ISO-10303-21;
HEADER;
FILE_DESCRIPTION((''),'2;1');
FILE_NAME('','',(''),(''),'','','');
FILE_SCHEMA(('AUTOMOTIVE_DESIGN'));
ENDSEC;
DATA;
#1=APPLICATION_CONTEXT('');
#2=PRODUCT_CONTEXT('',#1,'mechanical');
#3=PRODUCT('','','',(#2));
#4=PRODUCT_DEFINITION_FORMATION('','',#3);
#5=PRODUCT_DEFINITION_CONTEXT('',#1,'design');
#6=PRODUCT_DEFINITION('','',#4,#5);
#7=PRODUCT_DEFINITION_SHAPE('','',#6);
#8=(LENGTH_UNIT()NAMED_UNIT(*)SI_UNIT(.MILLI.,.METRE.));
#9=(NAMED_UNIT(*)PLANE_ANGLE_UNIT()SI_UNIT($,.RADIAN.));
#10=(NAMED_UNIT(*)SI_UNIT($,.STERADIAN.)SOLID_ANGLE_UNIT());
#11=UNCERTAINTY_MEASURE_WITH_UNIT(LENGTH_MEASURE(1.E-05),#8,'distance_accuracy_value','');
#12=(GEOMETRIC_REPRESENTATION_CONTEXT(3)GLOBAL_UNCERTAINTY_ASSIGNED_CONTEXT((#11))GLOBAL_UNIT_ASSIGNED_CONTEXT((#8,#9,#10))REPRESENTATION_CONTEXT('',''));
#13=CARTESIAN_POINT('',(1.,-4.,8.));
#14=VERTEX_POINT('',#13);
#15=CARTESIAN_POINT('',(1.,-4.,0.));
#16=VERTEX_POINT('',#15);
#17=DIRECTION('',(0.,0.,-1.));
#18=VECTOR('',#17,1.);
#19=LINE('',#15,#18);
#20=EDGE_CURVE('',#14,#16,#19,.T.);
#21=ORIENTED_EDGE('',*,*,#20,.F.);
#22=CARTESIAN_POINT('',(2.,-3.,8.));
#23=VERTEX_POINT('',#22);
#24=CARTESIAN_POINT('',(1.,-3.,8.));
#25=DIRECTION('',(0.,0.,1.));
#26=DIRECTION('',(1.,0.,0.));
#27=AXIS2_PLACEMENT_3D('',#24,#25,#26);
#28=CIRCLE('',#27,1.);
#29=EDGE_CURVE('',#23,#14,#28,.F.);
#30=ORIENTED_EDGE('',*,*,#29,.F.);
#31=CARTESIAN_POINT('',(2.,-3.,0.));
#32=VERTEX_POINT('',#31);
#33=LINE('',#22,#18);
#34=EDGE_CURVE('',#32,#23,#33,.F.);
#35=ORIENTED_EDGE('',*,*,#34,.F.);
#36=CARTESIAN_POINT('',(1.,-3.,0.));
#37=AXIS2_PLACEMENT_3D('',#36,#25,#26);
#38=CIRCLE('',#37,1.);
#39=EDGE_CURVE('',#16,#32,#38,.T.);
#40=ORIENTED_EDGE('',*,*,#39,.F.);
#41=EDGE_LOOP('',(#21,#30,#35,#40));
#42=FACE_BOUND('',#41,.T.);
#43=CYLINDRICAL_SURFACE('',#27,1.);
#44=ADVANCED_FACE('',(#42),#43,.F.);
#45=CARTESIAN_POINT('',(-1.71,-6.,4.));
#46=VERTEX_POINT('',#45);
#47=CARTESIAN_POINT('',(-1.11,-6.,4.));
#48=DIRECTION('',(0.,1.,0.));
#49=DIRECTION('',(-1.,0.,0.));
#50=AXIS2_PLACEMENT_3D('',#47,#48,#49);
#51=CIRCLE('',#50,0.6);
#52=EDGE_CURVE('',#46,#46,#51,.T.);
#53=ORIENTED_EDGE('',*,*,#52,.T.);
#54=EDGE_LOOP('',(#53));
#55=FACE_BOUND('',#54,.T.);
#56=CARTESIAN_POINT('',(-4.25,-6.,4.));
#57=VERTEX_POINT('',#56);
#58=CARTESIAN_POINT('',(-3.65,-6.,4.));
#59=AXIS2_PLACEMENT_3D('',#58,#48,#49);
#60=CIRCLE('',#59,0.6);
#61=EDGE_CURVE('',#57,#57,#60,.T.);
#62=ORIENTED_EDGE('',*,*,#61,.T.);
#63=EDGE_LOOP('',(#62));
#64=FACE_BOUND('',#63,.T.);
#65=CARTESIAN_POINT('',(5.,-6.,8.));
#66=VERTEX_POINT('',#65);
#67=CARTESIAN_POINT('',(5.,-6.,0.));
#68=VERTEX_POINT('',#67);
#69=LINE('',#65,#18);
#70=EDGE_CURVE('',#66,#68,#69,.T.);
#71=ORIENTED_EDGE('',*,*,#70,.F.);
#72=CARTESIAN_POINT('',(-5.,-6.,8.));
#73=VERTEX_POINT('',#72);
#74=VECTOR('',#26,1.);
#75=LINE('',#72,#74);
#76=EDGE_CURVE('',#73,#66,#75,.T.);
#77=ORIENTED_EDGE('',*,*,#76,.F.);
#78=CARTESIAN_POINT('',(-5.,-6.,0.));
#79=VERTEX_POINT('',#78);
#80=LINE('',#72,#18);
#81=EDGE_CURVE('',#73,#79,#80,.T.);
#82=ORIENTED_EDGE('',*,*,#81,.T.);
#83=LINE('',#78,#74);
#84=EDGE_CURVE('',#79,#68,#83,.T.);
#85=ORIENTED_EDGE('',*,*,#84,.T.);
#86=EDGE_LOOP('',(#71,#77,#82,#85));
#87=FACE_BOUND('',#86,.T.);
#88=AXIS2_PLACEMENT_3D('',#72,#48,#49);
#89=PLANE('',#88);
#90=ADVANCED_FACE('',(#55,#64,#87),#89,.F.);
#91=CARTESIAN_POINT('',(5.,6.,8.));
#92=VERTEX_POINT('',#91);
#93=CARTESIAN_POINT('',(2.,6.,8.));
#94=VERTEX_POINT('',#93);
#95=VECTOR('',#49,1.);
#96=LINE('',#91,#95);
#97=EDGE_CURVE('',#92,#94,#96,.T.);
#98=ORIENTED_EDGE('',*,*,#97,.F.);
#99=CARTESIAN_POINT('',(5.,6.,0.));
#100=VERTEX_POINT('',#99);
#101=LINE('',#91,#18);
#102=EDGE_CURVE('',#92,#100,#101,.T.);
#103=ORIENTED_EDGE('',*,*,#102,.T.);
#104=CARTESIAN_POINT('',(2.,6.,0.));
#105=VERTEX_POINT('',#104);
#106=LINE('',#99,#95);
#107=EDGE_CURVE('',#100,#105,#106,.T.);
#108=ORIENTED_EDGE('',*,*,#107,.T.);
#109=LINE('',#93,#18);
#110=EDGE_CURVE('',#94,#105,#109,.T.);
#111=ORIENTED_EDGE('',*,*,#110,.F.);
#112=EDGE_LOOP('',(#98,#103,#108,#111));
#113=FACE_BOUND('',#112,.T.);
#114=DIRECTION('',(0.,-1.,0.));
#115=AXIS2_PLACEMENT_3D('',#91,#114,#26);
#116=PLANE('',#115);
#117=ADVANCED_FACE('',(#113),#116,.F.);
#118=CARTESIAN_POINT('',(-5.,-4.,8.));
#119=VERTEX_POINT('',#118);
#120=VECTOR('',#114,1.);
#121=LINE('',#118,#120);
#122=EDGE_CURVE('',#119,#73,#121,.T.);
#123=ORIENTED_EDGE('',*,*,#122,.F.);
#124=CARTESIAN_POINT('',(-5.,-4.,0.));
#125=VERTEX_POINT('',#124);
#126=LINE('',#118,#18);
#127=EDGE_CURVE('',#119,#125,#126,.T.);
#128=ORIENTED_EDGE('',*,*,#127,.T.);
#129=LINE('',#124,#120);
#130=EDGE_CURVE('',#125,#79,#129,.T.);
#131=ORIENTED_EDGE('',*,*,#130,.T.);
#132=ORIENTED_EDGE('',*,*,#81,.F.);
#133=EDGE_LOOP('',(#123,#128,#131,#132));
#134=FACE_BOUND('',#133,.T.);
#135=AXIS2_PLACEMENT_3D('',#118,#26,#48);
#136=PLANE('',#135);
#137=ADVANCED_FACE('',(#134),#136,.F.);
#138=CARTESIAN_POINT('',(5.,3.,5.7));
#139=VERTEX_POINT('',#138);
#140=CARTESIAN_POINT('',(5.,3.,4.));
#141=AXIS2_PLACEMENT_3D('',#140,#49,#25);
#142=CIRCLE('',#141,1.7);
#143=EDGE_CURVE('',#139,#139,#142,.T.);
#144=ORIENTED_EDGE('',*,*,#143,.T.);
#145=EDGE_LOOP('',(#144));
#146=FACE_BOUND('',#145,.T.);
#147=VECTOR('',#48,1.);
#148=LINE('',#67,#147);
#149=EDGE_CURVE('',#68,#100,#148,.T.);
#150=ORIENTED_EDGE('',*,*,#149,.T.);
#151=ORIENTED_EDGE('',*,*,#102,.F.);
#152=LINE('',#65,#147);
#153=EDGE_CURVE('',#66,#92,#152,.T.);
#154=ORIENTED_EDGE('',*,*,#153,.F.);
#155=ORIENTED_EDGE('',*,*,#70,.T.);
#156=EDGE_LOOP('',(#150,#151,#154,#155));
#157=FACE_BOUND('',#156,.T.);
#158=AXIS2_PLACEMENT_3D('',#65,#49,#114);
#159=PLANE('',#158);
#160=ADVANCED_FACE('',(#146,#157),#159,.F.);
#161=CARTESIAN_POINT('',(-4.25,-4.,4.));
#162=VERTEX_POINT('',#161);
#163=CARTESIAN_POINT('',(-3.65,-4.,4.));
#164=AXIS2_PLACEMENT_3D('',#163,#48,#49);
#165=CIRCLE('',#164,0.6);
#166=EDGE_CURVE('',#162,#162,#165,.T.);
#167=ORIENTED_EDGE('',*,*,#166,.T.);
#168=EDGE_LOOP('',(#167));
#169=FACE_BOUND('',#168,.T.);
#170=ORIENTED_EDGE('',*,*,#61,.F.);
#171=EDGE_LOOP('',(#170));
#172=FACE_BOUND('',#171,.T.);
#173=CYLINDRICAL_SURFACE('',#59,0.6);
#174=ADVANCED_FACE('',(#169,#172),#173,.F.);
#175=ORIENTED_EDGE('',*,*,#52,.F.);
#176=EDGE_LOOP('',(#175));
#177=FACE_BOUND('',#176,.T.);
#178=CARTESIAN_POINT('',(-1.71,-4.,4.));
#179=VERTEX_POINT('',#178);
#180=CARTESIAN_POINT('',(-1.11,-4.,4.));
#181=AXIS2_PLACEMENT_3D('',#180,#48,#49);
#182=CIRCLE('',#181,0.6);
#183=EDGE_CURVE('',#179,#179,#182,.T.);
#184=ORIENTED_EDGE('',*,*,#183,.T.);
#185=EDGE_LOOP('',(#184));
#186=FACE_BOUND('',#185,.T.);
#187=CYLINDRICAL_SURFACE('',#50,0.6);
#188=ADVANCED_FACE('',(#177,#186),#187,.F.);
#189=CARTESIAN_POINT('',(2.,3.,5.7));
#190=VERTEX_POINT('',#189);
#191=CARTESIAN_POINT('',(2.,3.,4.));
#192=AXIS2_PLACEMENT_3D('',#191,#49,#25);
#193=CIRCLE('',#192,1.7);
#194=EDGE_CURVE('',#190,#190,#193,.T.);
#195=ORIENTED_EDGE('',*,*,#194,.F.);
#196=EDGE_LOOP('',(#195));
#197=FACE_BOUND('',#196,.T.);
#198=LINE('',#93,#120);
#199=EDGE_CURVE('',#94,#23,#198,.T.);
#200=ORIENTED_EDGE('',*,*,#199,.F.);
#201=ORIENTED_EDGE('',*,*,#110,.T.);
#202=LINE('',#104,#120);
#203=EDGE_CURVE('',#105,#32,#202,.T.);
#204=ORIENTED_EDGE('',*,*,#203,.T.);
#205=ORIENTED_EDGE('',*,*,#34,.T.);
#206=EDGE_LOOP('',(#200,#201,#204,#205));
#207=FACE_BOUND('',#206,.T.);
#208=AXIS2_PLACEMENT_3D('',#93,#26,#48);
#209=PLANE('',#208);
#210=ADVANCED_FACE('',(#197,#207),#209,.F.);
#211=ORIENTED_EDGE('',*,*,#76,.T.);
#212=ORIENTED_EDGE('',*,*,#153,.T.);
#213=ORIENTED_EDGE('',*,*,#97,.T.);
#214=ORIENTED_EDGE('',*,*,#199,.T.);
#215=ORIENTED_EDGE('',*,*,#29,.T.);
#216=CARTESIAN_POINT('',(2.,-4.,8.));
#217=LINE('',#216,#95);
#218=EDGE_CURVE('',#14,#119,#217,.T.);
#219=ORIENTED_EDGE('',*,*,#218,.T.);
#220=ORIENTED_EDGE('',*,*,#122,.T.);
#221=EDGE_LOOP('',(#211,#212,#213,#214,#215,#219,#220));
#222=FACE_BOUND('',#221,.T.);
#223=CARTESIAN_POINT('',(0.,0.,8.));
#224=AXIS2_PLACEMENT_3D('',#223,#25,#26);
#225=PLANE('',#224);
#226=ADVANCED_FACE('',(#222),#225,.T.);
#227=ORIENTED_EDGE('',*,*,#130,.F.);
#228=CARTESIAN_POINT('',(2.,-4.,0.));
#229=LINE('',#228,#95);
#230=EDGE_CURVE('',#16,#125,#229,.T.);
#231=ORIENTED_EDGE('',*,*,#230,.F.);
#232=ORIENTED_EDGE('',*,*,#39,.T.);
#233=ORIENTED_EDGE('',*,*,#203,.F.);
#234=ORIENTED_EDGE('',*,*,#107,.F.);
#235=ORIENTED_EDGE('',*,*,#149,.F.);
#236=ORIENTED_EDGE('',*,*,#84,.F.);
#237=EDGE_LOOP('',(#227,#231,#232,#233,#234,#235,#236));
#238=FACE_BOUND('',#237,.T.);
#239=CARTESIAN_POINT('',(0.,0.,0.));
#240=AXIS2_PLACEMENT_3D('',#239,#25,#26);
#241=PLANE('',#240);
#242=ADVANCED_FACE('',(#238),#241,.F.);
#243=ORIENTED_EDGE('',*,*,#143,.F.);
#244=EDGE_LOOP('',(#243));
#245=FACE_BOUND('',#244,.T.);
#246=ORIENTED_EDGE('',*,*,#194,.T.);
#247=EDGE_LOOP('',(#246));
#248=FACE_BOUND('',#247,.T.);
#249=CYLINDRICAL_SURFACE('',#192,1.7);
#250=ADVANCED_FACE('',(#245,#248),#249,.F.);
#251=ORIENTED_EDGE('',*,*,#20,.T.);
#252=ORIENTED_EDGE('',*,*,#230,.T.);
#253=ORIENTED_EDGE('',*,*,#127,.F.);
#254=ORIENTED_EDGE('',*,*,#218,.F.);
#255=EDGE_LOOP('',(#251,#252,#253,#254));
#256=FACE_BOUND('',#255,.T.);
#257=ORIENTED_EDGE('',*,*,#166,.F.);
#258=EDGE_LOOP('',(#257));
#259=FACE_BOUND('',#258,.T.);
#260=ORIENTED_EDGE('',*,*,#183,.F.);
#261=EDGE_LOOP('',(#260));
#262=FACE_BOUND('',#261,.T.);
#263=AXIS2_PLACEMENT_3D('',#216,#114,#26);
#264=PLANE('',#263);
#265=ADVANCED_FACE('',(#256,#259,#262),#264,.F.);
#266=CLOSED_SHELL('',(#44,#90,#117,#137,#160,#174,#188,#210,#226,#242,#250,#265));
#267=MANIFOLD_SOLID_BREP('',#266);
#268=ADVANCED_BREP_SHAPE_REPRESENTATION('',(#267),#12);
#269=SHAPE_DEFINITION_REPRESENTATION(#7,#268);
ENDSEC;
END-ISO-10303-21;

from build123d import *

# Parameters (mm, degrees)
EXTRUDE_1_DEPTH     = 8
SKETCH_2_R          = 0.6
CUT_EXTRUDE_1_DEPTH = 14.747727085
HOLE_WIZARD_M3_1_D  = 3.4
FILLET_1_R          = 1


with BuildPart() as part:
    # ｽｹｯﾁ1 → ﾎﾞｽ - 押し出し1 (new body)
    with BuildSketch(Plane.XY):
        Polygon((-5, -6), (5, -6), (5, 6), (2, 6), (2, -4), (-5, -4), align=None)
    extrude(amount=EXTRUDE_1_DEPTH)

    # ｽｹｯﾁ2 → ｶｯﾄ - 押し出し1 (cut, through all)
    with BuildSketch(Plane(origin=(0, -4, 0), x_dir=(1, 0, 0), z_dir=(0, 1, 0))):
        with Locations(Location((-1.11, -4, 0), (0, 0, 180))):
            Circle(SKETCH_2_R)
        with Locations(Location((-3.65, -4, 0), (0, 0, 180))):
            Circle(SKETCH_2_R)
    extrude(amount=-CUT_EXTRUDE_1_DEPTH, mode=Mode.SUBTRACT)

    # M3 すきま穴1 (through all)
    with Locations(Plane.ZY.offset(-2)):
        with Locations((4, 3)):
            Hole(HOLE_WIZARD_M3_1_D / 2)

    # ﾌｨﾚｯﾄ1
    fillet_1_edges = [part.edges().sort_by_distance(p)[0] for p in [
        (2, -4, 4),
    ]]
    fillet(fillet_1_edges, radius=FILLET_1_R)


solid = part.part
